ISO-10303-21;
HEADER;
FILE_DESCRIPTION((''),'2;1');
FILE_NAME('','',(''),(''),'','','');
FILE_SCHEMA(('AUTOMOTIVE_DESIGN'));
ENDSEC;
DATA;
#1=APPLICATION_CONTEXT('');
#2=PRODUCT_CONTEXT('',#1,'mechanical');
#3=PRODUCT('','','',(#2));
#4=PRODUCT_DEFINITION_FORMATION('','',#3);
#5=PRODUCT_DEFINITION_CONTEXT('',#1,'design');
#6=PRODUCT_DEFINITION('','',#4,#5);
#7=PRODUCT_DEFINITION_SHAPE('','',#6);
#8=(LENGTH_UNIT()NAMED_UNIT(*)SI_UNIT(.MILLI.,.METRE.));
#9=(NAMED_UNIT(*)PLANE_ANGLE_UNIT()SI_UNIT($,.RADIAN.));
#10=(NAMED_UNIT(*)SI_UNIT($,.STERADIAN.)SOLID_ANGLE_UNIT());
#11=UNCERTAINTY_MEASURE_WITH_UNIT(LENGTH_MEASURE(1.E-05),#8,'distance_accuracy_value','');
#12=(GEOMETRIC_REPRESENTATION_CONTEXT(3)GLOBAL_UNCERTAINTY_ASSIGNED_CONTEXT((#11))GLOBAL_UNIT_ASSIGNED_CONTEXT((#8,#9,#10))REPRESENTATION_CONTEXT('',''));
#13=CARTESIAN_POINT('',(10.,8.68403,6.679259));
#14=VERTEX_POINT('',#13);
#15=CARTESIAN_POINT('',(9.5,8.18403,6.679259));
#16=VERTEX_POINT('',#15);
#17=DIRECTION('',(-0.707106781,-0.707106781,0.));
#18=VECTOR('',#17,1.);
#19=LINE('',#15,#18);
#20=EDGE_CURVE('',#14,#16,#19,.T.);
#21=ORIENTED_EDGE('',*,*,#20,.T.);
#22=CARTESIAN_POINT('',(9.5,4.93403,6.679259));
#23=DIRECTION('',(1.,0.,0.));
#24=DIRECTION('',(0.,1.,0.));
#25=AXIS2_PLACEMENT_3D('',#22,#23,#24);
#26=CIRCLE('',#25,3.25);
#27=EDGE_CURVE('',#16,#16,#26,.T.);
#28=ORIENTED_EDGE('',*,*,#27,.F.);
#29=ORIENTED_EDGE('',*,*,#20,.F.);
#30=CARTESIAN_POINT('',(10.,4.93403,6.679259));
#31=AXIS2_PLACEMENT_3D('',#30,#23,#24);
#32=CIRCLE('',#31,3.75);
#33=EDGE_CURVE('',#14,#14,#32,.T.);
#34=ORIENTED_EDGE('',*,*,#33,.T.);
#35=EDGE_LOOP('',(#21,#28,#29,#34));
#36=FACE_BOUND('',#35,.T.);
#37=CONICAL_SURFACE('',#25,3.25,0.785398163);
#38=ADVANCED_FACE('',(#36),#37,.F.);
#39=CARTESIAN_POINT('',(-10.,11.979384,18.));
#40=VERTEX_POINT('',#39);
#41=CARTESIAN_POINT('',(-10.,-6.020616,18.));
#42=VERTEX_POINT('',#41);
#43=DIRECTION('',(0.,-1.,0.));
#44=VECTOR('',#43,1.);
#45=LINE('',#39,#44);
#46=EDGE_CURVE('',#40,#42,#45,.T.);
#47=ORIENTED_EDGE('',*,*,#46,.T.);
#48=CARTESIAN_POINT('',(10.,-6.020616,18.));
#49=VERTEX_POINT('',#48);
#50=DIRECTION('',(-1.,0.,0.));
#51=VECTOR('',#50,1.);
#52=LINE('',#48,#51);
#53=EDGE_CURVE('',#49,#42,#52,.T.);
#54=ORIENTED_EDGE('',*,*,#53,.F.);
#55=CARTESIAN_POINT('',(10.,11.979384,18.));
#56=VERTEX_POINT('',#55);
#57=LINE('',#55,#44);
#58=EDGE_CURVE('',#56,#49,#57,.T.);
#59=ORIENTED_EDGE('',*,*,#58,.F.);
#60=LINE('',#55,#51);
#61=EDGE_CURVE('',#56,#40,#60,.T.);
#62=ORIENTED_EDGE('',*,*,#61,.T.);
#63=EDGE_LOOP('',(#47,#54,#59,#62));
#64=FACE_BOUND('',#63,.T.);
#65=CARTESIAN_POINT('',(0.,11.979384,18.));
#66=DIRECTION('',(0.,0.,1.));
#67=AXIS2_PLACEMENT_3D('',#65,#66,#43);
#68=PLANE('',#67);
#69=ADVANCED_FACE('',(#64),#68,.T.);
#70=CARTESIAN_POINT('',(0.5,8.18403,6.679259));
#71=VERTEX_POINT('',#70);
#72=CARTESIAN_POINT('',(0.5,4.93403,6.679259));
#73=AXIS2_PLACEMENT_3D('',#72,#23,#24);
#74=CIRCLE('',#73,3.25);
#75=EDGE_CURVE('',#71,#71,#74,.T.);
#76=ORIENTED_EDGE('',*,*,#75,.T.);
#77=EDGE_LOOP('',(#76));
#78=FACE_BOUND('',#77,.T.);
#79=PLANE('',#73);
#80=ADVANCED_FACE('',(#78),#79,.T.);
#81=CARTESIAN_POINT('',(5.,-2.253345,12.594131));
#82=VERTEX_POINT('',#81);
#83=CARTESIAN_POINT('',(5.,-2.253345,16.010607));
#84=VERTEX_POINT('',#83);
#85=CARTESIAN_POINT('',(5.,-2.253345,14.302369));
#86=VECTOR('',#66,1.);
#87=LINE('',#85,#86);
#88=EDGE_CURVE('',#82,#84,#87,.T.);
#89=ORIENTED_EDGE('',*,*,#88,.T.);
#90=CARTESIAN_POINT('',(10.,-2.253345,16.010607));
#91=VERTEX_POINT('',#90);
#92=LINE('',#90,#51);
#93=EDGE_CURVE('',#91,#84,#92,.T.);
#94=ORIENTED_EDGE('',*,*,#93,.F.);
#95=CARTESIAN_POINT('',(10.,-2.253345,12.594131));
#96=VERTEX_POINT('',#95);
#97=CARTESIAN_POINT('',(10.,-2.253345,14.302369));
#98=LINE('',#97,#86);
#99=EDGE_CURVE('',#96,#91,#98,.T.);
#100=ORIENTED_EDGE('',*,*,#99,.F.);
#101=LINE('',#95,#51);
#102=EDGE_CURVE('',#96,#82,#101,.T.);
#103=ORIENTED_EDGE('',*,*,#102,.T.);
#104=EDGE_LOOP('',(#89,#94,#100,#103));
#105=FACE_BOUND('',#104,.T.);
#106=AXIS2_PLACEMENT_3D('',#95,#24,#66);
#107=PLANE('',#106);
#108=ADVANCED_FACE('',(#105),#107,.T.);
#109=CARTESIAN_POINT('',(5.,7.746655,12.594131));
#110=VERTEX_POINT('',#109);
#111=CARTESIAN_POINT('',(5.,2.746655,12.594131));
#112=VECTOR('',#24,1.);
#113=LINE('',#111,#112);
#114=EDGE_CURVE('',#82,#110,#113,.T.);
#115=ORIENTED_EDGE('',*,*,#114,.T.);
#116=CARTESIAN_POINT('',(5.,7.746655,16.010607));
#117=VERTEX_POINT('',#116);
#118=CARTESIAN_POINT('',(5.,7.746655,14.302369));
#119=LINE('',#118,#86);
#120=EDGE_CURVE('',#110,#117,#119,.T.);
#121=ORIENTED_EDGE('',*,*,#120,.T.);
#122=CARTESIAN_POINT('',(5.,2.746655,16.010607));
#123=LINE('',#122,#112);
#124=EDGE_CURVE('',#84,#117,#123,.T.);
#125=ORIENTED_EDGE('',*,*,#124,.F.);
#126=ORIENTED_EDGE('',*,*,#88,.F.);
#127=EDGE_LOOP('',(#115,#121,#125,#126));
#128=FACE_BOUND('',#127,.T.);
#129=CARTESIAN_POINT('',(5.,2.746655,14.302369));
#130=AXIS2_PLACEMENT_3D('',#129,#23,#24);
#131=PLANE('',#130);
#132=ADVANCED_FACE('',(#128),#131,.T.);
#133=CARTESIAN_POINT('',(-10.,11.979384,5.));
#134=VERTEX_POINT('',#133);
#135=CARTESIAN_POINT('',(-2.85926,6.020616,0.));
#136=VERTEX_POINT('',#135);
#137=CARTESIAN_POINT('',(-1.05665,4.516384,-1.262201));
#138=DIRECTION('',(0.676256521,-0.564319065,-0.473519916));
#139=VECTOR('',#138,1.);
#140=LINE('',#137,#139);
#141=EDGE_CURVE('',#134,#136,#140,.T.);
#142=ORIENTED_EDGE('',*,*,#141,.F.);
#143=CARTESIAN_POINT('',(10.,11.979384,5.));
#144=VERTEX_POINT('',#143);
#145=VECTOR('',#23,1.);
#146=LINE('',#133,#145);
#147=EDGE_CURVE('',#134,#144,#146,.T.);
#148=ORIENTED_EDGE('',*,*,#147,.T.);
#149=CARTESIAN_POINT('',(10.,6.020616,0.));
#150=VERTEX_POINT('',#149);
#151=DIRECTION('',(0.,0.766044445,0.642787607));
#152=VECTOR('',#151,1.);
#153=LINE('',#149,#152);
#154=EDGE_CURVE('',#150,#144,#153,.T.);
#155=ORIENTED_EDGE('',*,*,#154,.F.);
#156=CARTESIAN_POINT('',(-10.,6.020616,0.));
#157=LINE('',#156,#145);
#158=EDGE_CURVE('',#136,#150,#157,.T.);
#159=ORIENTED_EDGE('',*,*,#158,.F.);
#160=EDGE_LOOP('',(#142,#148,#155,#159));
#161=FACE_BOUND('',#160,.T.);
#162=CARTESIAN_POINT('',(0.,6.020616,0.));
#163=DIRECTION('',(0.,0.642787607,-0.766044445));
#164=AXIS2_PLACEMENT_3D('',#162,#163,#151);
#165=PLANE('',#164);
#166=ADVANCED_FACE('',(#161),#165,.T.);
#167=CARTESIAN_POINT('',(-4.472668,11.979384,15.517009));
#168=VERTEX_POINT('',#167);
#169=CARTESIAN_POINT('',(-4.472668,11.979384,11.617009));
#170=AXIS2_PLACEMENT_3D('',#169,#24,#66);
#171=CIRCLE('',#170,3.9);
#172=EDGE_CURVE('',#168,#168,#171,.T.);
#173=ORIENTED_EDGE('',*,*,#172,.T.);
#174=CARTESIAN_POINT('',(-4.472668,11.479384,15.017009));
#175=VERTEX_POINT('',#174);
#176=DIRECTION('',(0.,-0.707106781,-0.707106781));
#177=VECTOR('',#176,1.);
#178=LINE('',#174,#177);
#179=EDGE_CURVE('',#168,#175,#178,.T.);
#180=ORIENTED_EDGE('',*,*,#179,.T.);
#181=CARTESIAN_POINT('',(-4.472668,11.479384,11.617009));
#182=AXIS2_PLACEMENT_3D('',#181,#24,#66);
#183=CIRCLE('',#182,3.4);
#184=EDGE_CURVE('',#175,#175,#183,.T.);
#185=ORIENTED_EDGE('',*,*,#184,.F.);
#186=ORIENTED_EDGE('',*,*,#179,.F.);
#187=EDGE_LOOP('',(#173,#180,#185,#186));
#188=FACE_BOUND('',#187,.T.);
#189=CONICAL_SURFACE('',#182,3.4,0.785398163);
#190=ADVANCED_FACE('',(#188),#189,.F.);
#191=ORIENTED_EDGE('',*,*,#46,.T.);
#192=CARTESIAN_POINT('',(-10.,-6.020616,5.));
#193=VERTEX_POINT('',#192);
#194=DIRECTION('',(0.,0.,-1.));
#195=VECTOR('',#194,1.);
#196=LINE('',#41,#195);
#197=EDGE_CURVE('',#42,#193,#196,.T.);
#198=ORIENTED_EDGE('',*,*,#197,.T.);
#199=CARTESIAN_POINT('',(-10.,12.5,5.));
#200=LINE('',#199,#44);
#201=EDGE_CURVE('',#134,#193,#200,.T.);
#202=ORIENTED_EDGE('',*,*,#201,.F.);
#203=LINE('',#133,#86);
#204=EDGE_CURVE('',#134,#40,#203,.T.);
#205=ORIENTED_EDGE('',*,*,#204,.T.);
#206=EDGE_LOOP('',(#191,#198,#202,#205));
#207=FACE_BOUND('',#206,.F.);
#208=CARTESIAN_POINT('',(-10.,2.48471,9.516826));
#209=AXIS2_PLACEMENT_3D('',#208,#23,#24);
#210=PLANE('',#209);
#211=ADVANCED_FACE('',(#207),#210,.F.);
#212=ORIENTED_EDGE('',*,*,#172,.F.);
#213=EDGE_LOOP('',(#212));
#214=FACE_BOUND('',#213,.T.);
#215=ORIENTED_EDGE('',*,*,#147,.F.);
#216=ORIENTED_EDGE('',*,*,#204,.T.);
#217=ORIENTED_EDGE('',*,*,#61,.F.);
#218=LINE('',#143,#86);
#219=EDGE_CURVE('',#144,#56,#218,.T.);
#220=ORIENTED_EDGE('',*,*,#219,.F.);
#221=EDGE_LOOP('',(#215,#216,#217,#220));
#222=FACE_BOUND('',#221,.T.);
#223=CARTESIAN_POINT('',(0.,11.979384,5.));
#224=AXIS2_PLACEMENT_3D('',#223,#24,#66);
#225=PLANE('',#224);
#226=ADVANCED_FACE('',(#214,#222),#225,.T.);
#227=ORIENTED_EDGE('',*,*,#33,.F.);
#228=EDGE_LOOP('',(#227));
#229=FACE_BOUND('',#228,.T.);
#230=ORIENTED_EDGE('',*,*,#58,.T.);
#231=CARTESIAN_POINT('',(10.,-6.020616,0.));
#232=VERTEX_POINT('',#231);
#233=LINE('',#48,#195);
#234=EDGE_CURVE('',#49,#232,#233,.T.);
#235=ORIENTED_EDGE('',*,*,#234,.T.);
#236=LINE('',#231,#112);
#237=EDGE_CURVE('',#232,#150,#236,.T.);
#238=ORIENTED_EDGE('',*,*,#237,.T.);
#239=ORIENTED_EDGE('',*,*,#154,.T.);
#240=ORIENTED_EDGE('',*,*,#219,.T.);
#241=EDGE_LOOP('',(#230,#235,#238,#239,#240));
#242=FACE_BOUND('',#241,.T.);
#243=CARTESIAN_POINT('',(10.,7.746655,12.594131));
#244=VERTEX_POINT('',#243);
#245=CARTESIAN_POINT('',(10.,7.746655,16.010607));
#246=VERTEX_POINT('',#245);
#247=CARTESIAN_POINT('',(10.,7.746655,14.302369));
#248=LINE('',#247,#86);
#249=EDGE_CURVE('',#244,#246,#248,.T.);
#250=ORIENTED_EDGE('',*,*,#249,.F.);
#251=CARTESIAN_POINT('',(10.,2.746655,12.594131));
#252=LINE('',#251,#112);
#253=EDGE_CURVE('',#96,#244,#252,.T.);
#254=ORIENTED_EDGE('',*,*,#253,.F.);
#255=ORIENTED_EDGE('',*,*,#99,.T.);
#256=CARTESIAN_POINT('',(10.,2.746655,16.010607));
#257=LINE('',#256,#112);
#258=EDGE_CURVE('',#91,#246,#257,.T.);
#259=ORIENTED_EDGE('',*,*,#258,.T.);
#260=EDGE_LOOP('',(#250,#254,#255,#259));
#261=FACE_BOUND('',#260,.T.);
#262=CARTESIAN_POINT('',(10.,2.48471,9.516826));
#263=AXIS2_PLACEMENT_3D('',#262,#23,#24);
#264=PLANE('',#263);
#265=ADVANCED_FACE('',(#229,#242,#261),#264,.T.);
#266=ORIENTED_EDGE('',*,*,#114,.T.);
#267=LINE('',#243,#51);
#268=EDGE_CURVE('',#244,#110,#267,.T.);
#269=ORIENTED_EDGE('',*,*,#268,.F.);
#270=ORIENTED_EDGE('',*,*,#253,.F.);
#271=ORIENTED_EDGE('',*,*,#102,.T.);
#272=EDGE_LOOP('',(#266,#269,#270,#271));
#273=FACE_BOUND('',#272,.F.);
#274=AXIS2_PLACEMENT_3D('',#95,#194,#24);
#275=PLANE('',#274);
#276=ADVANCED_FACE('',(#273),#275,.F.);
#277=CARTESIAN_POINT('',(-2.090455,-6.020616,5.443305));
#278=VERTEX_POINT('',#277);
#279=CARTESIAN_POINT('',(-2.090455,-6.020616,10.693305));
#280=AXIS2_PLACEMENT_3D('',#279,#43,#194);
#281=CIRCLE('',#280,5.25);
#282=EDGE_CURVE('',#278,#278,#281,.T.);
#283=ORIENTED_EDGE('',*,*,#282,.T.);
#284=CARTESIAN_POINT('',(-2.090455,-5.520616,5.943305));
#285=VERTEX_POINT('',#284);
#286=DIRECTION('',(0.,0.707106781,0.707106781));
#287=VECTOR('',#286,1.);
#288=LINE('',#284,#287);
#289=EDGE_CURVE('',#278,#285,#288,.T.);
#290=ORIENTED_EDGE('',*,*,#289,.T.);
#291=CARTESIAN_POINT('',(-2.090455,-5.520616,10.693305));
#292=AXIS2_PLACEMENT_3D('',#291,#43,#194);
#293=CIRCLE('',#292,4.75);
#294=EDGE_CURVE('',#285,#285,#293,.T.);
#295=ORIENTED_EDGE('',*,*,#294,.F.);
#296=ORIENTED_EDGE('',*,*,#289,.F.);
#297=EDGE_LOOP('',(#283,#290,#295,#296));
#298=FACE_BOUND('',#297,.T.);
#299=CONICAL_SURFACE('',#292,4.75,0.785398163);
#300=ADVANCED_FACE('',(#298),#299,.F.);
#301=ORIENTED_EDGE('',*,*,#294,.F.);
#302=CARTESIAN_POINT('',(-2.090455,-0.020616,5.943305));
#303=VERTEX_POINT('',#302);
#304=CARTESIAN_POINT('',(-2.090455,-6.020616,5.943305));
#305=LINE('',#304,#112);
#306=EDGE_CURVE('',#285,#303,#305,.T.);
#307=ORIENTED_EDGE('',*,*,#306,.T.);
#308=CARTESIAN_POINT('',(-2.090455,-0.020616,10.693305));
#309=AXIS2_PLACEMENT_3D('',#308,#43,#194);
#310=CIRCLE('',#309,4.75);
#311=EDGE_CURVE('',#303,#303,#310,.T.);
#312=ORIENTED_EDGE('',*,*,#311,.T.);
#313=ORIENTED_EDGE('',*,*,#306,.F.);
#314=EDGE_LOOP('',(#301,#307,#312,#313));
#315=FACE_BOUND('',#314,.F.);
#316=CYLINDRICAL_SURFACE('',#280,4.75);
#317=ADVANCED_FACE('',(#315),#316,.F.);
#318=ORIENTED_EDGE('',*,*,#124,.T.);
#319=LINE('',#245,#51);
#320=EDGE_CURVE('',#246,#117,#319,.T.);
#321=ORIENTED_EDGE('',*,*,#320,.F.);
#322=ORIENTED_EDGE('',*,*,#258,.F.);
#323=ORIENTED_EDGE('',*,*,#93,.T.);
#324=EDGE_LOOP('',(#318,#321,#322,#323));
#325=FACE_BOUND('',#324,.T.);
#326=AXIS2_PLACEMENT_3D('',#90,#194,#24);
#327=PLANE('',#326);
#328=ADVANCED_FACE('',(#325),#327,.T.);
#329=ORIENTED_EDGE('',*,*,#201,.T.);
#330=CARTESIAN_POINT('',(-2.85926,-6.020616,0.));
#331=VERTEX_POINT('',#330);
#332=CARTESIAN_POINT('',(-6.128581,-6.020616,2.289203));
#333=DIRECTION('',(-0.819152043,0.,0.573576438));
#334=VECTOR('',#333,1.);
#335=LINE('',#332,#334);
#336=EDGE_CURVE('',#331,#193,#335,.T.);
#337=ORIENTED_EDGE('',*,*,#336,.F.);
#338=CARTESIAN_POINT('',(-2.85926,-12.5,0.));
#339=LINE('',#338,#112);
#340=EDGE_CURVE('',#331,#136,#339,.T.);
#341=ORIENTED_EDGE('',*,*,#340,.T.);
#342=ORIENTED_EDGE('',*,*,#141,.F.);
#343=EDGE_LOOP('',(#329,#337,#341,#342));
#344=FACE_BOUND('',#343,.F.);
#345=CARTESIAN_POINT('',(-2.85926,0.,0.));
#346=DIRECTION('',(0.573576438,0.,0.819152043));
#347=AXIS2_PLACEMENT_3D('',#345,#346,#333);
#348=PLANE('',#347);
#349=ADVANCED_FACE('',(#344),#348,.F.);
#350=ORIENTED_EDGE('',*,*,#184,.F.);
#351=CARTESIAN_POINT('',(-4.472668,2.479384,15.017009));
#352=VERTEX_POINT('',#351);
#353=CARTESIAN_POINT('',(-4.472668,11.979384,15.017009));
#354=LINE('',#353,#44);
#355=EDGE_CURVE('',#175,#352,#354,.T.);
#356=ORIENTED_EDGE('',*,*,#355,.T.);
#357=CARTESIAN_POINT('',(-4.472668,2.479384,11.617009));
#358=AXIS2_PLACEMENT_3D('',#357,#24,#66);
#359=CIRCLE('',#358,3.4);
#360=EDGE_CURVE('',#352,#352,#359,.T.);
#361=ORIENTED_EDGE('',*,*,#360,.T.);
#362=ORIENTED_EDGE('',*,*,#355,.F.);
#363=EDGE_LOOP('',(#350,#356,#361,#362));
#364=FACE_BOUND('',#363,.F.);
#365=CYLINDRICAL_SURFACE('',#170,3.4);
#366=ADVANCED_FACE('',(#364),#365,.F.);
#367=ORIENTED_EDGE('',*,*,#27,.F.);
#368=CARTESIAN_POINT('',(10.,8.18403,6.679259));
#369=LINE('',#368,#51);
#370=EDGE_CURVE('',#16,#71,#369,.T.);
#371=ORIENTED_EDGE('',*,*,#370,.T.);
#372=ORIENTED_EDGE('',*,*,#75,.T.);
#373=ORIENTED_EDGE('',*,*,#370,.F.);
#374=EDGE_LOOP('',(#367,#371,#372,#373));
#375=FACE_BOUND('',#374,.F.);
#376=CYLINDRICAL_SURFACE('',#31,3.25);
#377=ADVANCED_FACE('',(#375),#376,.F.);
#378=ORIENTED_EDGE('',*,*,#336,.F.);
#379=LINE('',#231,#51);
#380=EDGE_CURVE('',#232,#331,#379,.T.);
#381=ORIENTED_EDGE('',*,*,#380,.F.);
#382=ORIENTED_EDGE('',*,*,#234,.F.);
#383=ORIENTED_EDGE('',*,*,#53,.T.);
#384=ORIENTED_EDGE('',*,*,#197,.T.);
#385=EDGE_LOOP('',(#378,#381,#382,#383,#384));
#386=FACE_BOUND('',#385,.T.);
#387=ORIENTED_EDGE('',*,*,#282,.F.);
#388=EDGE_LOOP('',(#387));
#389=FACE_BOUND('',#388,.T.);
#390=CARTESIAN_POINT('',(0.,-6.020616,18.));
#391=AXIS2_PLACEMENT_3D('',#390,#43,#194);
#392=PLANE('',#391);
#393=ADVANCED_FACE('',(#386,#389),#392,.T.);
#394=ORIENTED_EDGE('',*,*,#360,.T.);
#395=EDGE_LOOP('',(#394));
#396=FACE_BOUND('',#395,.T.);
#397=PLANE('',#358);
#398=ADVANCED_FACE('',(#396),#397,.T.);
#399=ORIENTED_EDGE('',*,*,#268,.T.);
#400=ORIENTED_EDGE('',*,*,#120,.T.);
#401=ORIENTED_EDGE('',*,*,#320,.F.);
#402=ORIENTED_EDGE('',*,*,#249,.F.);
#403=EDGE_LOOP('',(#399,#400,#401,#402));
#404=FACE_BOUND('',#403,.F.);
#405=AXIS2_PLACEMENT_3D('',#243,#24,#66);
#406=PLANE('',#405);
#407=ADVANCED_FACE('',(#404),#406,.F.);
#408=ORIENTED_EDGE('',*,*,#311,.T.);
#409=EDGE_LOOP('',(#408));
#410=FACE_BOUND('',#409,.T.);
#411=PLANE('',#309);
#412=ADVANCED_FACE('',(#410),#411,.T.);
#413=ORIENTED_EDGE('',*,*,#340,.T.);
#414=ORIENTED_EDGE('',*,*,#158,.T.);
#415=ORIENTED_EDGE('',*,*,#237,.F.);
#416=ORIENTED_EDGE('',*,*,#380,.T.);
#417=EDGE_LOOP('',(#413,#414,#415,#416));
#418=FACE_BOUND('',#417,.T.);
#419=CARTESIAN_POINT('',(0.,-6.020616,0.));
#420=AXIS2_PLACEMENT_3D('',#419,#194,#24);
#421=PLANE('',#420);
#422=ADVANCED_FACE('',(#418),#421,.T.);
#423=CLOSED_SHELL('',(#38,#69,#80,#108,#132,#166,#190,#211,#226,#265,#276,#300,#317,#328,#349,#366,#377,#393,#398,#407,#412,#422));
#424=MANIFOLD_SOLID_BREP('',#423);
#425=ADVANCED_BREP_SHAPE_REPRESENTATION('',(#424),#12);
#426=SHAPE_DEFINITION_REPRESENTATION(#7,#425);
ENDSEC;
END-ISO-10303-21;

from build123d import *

# Parameters (mm, degrees)
PAD017_DEPTH    = 10
POCKET021_DEPTH = 12.5
SKETCH043_R     = 3.4
POCKET022_DEPTH = 9.5
SKETCH042_R     = 4.75
POCKET023_DEPTH = 6
SKETCH044_R     = 3.25
POCKET024_DEPTH = 9.5
CHAMFER003_SIZE = 0.5
SKETCH045_W     = 10
SKETCH045_H     = 3.416477
POCKET025_DEPTH = 5


with BuildPart() as part:
    # Sketch040 → Pad017 (new body, symmetric)
    with BuildSketch(Plane.YZ):
        Polygon((-6.020616, 5), (-6.020616, 0), (6.020616, 0), (11.979384, 5), (11.979384, 18), (-6.020616, 18), align=None)
    extrude(amount=PAD017_DEPTH, both=True)

    # Sketch041 → Pocket021 (cut, symmetric)
    with BuildSketch(Plane.XZ):
        Polygon((-2.85926, 0), (-10, 5), (-10, 0), align=None)
    extrude(amount=POCKET021_DEPTH, both=True, mode=Mode.SUBTRACT)

    # Sketch043 (on Face7 of Pocket021) → Pocket022 (cut)
    with BuildSketch(Plane.ZX.offset(11.979384)):
        with Locations((11.617009, -4.472668)):
            Circle(SKETCH043_R)
    extrude(amount=-POCKET022_DEPTH, mode=Mode.SUBTRACT)

    # Sketch042 (on Face5 of Pocket021) → Pocket023 (cut)
    with BuildSketch(Plane(origin=(0, -6.020616, 0), x_dir=(0, 0, -1), z_dir=(0, -1, 0))):
        with Locations((-10.693305, -2.090455)):
            Circle(SKETCH042_R)
    extrude(amount=-POCKET023_DEPTH, mode=Mode.SUBTRACT)

    # Sketch044 (on Face4 of Pocket023) → Pocket024 (cut)
    with BuildSketch(Plane.YZ.offset(10)):
        with Locations((4.93403, 6.679259)):
            Circle(SKETCH044_R)
    extrude(amount=-POCKET024_DEPTH, mode=Mode.SUBTRACT)

    # Chamfer003
    chamfer003_edges = [part.edges().sort_by_distance(p)[0] for p in [
        (-4.472668, 11.979384, 8.217009),
        (10, 1.68403, 6.679259),
        (-2.090455, -6.020616, 15.443305),
    ]]
    chamfer(chamfer003_edges, length=CHAMFER003_SIZE)

    # Sketch045 (on Face1 of Chamfer003) → Pocket025 (cut)
    with BuildSketch(Plane.YZ.offset(10)):
        with Locations((2.746655, 14.302369)):
            Rectangle(SKETCH045_W, SKETCH045_H)
    extrude(amount=-POCKET025_DEPTH, mode=Mode.SUBTRACT)


solid = part.part
